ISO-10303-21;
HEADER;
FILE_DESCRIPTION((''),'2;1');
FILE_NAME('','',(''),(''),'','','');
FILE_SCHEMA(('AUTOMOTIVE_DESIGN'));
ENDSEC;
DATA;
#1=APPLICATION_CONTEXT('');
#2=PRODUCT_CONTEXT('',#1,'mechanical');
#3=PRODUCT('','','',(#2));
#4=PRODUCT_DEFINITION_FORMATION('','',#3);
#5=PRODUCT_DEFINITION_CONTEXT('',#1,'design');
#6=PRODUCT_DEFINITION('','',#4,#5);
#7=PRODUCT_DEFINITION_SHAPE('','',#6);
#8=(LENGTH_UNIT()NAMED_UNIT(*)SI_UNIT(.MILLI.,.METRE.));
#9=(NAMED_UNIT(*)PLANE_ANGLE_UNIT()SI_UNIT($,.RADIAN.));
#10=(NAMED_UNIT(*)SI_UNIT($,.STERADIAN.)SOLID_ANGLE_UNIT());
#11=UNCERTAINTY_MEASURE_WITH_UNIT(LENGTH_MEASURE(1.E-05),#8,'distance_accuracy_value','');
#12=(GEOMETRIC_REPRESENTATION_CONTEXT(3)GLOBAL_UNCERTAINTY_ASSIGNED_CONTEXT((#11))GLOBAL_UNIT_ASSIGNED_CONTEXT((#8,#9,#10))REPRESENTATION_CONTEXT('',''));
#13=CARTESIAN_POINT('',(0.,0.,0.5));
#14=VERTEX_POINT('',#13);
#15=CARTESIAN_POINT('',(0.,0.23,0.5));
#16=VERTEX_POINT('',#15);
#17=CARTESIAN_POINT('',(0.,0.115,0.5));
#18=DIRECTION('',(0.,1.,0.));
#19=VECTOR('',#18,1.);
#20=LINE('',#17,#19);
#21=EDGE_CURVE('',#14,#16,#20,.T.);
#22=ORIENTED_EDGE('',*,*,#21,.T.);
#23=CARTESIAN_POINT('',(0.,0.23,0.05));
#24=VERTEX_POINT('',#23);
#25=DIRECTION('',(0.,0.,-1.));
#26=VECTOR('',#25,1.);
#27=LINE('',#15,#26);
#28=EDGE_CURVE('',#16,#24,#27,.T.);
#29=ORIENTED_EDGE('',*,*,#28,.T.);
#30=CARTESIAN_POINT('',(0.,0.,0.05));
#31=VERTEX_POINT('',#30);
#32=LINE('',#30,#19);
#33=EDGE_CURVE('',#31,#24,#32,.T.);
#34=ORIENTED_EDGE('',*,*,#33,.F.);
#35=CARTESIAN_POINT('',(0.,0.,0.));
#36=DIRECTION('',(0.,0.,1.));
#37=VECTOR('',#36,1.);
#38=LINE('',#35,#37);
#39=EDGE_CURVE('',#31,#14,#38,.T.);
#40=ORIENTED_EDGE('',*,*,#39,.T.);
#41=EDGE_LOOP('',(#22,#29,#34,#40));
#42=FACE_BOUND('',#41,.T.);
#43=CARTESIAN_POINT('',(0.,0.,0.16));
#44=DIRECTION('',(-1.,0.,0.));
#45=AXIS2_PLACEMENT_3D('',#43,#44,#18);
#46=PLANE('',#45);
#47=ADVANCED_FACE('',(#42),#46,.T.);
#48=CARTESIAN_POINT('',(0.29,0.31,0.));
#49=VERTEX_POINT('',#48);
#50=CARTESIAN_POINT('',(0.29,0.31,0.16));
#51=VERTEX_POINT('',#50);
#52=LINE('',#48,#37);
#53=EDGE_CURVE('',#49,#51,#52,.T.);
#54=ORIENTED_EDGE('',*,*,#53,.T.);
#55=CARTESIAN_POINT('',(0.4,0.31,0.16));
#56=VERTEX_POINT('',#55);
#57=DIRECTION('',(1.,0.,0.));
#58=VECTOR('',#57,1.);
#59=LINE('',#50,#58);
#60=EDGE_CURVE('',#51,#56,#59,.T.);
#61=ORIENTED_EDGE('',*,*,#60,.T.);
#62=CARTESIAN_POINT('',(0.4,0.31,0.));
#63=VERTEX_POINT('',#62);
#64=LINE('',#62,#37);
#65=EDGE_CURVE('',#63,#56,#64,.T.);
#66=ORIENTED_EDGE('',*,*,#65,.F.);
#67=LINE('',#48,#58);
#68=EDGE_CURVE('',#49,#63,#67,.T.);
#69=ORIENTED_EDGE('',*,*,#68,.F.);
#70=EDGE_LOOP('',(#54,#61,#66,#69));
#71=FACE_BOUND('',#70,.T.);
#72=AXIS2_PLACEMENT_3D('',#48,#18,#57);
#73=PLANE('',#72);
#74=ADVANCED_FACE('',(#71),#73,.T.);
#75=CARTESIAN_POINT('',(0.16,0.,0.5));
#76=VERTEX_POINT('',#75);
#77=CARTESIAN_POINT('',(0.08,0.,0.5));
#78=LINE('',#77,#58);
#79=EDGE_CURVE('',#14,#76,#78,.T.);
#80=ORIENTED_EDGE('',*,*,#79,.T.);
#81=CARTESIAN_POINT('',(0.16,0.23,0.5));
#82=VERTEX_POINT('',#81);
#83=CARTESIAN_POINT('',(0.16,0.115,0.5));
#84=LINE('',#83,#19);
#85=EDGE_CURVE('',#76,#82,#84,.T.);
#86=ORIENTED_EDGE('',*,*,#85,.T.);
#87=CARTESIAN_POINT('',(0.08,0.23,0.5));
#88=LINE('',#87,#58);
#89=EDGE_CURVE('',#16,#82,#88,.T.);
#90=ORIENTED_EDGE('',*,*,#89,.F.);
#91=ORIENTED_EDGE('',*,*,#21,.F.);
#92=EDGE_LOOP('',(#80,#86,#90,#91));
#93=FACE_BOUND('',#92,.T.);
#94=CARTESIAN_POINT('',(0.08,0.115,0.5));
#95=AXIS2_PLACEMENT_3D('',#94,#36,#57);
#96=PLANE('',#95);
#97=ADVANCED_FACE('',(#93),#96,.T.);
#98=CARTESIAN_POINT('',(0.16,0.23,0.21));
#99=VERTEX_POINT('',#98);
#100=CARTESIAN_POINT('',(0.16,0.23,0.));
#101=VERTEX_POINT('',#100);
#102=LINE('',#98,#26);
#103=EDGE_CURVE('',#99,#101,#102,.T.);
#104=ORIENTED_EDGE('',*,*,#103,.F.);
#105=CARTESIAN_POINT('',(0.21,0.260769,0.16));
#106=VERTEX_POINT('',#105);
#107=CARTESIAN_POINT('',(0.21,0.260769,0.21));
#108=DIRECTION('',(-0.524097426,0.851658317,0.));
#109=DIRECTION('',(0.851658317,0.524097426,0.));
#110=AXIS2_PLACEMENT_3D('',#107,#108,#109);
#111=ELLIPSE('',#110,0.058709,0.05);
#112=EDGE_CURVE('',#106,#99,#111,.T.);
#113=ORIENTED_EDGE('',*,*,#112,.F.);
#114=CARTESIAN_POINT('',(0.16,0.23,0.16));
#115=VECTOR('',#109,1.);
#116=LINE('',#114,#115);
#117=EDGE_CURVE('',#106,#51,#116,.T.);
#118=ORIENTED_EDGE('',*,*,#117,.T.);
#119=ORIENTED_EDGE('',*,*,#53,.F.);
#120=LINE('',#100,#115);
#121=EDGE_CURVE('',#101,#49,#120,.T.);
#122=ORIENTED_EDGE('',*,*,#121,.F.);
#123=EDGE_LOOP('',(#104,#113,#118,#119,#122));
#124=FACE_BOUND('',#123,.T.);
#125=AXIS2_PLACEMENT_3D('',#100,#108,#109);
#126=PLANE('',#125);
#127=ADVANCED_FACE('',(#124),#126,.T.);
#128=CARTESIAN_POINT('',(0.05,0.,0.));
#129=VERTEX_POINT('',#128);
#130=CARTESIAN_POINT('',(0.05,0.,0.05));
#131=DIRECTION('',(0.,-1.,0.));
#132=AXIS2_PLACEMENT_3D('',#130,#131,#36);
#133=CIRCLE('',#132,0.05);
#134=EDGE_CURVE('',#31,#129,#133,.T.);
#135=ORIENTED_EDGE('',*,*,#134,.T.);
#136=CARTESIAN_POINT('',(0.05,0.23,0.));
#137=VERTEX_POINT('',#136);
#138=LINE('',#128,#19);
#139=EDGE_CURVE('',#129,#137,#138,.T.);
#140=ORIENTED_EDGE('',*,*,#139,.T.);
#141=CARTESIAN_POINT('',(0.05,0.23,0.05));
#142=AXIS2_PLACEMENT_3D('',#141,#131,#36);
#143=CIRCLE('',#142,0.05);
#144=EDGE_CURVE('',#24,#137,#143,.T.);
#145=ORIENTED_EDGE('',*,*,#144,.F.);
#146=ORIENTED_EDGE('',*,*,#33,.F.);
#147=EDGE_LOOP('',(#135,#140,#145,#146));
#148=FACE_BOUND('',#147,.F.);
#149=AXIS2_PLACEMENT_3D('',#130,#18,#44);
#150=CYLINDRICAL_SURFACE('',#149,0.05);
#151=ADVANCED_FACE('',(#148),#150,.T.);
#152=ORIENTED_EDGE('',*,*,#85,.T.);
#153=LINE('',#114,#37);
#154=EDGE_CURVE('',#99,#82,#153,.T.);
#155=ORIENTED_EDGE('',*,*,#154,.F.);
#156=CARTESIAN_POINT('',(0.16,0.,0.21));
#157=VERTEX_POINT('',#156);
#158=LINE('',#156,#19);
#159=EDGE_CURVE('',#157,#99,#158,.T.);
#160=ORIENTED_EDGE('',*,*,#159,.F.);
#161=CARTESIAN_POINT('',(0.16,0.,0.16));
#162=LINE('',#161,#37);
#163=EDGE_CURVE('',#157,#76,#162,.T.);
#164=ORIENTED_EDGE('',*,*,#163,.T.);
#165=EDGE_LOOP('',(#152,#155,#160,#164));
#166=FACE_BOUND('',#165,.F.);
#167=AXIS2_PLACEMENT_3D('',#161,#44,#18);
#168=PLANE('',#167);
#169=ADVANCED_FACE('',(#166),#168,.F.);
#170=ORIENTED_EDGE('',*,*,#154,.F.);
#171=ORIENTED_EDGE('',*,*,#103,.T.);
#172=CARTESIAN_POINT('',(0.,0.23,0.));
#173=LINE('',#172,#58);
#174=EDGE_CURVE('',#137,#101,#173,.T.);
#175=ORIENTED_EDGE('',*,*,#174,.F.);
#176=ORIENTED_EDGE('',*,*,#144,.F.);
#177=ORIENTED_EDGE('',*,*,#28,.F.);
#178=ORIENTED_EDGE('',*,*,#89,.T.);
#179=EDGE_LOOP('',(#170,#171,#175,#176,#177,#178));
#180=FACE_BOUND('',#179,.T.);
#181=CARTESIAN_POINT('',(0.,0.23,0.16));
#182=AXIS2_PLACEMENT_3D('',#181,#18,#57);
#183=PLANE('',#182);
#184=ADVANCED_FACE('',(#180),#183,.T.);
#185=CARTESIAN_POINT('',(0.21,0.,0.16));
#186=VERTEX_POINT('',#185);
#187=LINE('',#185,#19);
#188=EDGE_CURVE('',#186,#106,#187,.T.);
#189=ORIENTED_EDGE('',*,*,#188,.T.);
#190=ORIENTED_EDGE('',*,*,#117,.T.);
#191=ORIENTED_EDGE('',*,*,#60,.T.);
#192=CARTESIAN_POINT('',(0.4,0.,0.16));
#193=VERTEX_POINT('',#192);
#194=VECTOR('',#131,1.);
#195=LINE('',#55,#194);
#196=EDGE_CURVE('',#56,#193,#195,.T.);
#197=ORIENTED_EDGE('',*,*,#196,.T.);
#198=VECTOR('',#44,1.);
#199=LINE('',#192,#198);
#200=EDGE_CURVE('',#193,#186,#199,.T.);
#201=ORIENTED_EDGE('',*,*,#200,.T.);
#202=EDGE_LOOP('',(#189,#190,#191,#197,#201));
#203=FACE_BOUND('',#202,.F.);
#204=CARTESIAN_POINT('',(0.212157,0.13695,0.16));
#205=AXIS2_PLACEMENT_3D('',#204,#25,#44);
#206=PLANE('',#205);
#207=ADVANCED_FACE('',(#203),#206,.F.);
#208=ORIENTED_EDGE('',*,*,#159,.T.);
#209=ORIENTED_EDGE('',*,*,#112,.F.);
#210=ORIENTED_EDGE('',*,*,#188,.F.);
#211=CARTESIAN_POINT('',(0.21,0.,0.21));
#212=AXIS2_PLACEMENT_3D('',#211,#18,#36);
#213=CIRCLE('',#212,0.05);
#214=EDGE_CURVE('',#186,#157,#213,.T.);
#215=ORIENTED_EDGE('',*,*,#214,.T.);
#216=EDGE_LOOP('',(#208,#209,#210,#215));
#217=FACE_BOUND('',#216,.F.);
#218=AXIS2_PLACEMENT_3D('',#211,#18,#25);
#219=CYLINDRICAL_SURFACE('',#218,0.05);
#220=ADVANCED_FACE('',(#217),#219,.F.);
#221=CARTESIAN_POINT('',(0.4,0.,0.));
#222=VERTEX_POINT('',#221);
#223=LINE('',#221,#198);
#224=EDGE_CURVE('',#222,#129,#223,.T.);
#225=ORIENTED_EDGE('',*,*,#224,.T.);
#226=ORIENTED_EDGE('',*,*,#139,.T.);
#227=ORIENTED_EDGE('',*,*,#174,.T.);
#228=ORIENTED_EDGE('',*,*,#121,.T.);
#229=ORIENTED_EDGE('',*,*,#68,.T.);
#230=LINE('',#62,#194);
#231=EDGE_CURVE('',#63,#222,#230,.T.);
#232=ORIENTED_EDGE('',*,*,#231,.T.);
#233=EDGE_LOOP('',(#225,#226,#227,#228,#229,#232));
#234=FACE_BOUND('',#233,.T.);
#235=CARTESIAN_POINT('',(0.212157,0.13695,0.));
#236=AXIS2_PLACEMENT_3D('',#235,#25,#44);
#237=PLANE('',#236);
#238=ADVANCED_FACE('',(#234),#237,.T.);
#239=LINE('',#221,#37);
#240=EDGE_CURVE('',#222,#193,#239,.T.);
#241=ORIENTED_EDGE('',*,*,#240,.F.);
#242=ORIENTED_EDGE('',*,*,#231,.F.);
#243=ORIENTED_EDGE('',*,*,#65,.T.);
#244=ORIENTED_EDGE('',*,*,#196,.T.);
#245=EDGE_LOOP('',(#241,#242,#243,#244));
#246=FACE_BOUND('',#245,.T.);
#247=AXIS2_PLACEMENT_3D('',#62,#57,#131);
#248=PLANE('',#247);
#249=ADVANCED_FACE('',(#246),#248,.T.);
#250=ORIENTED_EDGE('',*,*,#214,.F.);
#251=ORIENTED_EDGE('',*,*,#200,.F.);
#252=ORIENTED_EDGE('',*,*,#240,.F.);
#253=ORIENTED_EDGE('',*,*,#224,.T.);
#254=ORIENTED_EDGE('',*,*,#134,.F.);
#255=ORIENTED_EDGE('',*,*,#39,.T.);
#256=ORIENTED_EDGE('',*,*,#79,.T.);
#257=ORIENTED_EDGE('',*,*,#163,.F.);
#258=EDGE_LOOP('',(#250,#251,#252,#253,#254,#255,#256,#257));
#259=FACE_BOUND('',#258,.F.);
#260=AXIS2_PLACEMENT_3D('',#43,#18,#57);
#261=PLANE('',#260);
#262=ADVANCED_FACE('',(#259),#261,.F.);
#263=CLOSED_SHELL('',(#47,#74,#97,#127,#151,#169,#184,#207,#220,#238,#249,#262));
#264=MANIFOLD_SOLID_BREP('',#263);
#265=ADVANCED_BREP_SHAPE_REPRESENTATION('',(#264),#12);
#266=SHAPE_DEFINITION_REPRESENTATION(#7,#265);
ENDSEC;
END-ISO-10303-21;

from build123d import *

# Parameters (mm, degrees)
EXTRUDE_1_DEPTH = 0.16
SKETCH_2_W      = 0.16
SKETCH_2_H      = 0.23
EXTRUDE_2_DEPTH = 0.34
FILLET_1_R      = 0.05


with BuildPart() as part:
    # 草图1 → 凸台-拉伸1 (new body)
    with BuildSketch(Plane.XY):
        Polygon((0, 0), (0, 0.23), (0.16, 0.23), (0.29, 0.31), (0.4, 0.31), (0.4, 0), align=None)
    extrude(amount=EXTRUDE_1_DEPTH)

    # 草图2 → 凸台-拉伸2 (add)
    with BuildSketch(Plane.XY.offset(0.16)):
        with Locations((0.08, 0.115)):
            Rectangle(SKETCH_2_W, SKETCH_2_H)
    extrude(amount=EXTRUDE_2_DEPTH)

    # 圆角1
    fillet_1_edges = [part.edges().sort_by_distance(p)[0] for p in [
        (0.16, 0.115, 0.16),
        (0, 0.115, 0),
    ]]
    fillet(fillet_1_edges, radius=FILLET_1_R)


solid = part.part
